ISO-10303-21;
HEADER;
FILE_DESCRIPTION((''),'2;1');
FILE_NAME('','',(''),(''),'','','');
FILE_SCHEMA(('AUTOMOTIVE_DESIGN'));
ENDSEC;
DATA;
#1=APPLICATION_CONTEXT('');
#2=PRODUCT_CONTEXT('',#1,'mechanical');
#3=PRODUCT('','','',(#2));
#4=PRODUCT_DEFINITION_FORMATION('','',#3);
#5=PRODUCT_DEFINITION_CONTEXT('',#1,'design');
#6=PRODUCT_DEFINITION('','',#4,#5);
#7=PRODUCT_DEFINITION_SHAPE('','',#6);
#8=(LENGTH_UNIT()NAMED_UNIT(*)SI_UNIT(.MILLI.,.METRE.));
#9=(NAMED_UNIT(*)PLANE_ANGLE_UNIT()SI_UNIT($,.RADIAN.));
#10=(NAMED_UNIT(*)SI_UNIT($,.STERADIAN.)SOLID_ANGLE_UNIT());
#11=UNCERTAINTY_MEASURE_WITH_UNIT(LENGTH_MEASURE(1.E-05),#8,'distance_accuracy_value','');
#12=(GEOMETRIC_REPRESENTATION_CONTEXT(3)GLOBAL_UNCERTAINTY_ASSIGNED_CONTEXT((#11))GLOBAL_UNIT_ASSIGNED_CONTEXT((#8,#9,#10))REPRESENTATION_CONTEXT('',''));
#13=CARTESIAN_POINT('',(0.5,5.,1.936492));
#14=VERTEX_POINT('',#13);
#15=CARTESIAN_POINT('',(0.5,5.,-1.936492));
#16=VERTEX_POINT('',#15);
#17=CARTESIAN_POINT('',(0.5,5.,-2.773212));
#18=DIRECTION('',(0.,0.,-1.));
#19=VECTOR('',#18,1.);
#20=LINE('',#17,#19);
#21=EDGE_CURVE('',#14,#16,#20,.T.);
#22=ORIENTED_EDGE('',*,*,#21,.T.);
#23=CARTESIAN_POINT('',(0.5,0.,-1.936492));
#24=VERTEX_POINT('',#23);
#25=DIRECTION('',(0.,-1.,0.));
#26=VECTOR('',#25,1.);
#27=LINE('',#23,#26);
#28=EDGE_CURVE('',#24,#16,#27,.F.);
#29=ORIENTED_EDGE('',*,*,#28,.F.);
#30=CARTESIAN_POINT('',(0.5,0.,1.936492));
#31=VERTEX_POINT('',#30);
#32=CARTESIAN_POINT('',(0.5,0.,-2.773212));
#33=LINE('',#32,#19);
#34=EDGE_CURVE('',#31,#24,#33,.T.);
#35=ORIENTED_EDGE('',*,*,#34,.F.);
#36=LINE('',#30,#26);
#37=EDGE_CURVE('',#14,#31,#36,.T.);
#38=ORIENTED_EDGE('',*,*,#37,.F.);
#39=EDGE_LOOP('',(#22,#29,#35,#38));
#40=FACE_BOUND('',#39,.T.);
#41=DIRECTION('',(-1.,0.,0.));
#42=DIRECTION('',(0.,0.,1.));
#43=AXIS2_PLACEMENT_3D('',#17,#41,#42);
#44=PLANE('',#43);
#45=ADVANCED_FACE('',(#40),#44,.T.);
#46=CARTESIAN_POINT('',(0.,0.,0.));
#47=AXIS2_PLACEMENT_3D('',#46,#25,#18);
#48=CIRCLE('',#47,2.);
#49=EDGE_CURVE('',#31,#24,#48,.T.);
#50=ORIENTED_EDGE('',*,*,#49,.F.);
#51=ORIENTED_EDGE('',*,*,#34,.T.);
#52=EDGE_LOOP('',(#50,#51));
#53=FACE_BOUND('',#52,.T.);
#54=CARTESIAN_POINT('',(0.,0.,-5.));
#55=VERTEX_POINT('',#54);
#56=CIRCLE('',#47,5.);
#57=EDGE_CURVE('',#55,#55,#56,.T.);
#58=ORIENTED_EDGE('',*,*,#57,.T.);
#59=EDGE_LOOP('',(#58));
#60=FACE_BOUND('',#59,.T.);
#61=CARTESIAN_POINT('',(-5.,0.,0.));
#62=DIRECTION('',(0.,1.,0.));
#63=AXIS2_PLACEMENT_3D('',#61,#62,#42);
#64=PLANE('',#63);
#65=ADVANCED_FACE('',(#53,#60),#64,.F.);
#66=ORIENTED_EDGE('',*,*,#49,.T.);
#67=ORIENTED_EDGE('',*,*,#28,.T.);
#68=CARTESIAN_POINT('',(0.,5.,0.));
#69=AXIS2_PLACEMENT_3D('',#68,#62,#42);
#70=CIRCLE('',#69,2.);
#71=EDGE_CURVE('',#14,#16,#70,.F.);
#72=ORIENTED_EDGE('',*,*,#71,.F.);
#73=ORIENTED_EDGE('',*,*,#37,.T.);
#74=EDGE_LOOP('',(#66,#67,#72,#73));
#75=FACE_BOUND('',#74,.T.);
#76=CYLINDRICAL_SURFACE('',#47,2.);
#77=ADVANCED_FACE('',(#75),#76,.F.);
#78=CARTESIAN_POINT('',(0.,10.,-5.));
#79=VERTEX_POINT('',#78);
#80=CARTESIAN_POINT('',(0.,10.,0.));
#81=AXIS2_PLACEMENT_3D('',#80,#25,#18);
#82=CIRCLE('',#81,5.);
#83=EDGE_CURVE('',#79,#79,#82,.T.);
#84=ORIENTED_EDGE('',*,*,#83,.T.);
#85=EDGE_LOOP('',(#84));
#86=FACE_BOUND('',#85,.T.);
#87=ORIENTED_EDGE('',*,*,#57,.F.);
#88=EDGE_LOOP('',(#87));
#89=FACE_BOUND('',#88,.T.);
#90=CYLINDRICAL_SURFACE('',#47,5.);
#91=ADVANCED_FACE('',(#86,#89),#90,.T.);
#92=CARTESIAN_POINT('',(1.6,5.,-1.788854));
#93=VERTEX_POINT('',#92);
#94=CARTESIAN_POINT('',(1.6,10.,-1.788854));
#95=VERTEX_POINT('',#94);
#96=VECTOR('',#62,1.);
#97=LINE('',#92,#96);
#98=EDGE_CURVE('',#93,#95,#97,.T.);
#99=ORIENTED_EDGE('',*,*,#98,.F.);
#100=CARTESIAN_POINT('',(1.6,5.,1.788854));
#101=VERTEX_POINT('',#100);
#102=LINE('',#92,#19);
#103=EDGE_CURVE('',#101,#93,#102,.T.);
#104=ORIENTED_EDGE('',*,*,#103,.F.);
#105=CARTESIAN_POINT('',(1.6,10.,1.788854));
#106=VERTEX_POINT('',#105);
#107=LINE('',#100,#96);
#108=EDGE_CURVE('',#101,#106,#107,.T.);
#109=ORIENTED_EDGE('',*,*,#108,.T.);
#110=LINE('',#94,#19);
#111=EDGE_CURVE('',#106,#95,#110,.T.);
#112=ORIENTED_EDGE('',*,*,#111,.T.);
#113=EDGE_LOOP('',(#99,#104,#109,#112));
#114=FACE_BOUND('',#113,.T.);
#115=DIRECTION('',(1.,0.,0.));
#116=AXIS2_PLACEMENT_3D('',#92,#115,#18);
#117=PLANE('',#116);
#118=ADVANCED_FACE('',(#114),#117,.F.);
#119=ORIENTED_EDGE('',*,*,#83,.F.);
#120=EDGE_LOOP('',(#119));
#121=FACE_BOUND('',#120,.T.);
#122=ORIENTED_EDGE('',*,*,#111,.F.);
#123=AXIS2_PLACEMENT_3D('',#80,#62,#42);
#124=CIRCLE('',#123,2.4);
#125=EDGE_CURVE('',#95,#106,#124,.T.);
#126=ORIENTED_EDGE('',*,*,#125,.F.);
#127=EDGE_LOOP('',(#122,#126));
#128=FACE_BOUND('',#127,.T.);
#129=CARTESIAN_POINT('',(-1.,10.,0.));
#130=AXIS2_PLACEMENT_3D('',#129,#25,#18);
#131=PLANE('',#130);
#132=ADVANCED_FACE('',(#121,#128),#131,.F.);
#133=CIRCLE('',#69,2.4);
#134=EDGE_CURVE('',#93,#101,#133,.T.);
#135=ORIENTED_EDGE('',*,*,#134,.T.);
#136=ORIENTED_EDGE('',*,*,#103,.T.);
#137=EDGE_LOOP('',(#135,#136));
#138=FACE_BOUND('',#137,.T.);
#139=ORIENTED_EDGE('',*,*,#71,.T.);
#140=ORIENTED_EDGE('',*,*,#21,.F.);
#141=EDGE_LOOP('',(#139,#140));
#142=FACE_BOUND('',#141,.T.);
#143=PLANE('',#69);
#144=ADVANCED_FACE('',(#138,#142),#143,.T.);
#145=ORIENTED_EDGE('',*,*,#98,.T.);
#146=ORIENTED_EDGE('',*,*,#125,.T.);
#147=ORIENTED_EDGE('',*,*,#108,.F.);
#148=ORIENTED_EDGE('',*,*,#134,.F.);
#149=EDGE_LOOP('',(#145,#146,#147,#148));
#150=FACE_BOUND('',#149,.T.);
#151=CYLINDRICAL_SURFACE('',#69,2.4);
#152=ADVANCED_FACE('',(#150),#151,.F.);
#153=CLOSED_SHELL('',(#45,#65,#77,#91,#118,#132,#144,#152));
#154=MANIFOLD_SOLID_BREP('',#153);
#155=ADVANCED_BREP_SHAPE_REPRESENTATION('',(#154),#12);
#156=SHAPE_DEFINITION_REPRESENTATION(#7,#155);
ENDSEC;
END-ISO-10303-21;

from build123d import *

# Parameters (mm, degrees)
CORTE_EXTRUS_O1_DEPTH    = 5
ESBO_O3_W                = 2.513225657
ESBO_O3_H                = 5.478331089
RESSALTO_EXTRUS_O1_DEPTH = 5


with BuildPart() as part:
    # Esboço1 → Revolução1 (revolve)
    with BuildSketch(Plane.XY):
        Polygon((-1, 10), (-5, 10), (-5, 0), (-2, 0), (-2, 5), (-1, 5), align=None)
    revolve(axis=Axis((0, 0, 0), (0, 1, 0)))

    # Esboço2 → Corte-extrusão1 (cut)
    with BuildSketch(Plane(origin=(0, 10, 0), x_dir=(1, 0, 0), z_dir=(0, 1, 0))):
        with BuildLine():
            Line((1.6, 1.788854382), (1.6, -1.788854382))
            ThreePointArc((1.6, -1.788854382), (-2.4, 0), (1.6, 1.788854382))
        make_face()
    extrude(amount=-CORTE_EXTRUS_O1_DEPTH, mode=Mode.SUBTRACT)

    # Esboço3 → Ressalto-extrusão1 (add)
    with BuildSketch(Plane.XZ):
        with Locations((1.756612829, -0.034046623)):
            Rectangle(ESBO_O3_W, ESBO_O3_H)
    extrude(amount=-RESSALTO_EXTRUS_O1_DEPTH)


solid = part.part
